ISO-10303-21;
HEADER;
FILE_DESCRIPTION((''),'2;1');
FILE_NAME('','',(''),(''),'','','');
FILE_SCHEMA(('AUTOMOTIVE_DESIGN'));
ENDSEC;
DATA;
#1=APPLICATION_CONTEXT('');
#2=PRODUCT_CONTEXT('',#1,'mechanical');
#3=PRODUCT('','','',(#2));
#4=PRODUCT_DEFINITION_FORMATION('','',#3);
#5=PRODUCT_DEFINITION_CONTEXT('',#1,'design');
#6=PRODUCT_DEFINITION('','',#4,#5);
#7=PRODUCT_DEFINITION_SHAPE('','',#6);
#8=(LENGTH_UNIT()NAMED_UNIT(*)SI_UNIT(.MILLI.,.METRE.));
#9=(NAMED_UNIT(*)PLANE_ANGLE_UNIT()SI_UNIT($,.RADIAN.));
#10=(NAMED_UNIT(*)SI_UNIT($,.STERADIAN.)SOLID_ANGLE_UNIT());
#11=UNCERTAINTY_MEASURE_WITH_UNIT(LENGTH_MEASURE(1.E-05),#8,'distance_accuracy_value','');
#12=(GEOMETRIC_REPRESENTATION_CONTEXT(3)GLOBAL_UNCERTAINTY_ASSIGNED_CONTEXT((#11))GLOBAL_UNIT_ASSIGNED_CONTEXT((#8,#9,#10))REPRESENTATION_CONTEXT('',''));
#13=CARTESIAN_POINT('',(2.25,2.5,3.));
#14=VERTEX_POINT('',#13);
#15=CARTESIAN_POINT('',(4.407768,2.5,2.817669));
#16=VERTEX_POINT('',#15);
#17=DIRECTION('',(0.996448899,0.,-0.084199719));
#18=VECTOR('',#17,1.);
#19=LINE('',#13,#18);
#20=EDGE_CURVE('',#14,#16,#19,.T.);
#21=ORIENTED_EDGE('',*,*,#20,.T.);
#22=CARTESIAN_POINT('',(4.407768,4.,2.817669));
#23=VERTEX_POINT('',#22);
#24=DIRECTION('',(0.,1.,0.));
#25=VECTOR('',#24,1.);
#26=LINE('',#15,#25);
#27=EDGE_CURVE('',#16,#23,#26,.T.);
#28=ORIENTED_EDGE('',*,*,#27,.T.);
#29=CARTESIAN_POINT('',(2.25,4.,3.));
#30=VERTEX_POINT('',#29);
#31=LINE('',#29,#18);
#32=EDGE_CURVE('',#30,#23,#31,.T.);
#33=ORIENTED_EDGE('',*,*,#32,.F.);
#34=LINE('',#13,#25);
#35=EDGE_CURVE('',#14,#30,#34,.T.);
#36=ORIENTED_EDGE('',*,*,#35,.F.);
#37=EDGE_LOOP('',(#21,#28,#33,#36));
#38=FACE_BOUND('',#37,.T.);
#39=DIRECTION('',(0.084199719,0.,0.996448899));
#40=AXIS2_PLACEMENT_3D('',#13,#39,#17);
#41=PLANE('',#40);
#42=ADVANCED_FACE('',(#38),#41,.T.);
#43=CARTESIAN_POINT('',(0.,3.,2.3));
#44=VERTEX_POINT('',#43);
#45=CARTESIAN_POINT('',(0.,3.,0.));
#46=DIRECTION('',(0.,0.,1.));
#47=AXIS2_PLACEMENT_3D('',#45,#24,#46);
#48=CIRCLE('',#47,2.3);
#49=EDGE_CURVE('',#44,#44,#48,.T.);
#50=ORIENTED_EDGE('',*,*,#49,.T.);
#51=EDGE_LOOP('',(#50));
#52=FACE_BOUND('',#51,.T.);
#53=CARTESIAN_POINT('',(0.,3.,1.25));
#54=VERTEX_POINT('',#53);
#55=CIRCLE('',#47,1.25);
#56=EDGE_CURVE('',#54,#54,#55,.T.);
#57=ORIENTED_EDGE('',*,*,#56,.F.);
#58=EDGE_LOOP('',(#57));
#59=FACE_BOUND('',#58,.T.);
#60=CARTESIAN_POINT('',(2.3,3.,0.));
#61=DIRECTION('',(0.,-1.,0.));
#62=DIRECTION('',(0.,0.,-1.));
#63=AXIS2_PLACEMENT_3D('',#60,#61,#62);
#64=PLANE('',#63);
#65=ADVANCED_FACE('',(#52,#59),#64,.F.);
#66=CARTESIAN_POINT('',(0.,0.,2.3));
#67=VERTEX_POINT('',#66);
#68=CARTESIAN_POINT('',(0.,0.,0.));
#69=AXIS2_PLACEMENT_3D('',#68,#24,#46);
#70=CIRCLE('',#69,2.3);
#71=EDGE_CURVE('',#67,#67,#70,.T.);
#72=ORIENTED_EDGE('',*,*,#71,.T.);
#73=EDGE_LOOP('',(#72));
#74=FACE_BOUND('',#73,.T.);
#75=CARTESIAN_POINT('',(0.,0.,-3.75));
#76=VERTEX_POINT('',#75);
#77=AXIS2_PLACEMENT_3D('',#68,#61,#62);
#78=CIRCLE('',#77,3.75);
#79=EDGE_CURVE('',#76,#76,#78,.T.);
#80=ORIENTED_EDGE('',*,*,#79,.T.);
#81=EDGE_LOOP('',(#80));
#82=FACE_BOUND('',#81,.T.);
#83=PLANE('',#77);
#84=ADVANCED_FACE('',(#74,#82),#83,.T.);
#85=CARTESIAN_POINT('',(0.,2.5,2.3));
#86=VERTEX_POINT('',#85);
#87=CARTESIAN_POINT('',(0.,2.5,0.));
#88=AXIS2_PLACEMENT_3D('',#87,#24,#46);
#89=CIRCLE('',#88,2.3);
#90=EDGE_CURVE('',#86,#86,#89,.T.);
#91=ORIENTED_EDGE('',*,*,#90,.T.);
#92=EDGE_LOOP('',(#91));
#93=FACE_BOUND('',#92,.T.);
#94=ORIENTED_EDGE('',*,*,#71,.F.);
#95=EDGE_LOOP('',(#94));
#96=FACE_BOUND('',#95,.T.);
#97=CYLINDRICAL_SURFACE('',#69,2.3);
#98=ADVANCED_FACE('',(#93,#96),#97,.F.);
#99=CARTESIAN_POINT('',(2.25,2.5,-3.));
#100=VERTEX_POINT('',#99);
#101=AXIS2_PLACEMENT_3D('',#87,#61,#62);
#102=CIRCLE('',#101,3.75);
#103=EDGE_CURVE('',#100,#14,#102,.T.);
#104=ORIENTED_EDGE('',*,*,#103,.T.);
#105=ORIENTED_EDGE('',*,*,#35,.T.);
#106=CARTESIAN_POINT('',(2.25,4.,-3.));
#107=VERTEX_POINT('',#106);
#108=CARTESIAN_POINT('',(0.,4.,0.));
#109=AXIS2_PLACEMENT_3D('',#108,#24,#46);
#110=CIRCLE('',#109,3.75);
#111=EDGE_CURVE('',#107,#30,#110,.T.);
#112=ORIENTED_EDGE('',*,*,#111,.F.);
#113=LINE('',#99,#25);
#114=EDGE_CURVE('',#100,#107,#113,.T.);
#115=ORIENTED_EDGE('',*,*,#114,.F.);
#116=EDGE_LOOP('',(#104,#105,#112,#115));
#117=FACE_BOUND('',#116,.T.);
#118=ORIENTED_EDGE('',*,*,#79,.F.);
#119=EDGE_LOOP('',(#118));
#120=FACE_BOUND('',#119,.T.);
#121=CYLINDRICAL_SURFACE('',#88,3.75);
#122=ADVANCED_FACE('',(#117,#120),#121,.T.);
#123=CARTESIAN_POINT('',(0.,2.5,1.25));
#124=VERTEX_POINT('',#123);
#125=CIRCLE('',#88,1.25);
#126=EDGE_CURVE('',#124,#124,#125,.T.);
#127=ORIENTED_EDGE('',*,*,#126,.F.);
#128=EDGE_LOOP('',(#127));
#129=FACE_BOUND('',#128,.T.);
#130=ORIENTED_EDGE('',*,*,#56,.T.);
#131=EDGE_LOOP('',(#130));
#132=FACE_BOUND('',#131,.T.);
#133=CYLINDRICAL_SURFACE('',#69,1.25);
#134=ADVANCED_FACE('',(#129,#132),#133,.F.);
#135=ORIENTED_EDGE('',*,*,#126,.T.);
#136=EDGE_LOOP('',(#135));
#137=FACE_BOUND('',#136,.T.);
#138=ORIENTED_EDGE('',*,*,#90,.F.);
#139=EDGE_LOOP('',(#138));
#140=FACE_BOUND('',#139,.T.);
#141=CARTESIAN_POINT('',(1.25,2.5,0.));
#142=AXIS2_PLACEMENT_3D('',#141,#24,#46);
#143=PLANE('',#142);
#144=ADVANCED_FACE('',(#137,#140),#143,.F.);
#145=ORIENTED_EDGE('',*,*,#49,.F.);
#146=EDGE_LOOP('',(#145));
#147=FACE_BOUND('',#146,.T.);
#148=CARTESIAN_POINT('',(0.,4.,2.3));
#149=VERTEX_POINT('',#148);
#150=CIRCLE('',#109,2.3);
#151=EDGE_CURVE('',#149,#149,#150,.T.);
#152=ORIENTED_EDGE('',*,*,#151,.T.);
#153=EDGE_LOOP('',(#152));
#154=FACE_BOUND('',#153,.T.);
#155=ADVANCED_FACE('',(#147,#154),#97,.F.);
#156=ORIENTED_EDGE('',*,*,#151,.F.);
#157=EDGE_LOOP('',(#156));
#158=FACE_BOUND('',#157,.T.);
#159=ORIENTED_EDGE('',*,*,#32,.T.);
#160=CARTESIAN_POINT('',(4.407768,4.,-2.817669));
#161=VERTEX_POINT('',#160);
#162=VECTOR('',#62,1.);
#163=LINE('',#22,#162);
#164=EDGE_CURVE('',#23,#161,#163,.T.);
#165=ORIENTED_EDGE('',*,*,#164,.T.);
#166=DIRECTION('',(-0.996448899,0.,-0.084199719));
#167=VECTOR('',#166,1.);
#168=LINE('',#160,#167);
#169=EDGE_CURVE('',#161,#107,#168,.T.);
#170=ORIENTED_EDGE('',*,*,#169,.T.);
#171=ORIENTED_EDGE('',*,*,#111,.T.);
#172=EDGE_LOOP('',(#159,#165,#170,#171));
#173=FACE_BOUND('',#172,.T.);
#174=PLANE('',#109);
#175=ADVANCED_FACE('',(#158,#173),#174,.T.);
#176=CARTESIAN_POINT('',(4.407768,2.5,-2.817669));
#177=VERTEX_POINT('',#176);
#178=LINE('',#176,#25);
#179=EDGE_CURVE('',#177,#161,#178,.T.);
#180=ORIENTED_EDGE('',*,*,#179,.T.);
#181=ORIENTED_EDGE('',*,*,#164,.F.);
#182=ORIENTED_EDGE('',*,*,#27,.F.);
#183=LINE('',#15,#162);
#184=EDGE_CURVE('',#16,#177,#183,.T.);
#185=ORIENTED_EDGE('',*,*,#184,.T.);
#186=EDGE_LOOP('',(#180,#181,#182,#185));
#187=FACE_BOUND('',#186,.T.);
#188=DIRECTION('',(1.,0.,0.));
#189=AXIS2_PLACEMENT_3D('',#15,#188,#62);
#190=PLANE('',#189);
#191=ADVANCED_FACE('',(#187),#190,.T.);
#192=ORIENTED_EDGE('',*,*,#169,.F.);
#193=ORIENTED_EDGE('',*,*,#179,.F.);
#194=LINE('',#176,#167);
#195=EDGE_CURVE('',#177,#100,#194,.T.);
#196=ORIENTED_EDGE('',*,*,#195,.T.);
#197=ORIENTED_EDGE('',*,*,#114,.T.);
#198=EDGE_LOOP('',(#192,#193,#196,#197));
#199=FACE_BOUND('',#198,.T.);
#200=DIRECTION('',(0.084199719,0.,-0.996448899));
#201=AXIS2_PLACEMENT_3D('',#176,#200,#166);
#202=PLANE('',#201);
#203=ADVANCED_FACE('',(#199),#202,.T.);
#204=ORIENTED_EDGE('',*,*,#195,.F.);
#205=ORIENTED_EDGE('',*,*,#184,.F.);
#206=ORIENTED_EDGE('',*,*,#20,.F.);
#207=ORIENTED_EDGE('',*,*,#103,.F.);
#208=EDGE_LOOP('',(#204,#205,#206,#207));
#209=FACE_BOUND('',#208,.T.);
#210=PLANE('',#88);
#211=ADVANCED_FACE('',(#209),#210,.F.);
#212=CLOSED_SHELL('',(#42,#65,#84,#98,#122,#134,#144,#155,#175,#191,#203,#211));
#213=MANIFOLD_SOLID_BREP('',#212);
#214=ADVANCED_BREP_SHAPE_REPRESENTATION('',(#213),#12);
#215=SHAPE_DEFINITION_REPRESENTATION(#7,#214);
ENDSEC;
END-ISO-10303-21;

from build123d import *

# Parameters (mm, degrees)
BOSS_EXTRUDE1_DEPTH = 1.5
SKETCH2_R           = 3.75
BOSS_EXTRUDE2_DEPTH = 2.5


with BuildPart() as part:
    # Sketch1 → Boss-Extrude1 (new body)
    with BuildSketch(Plane(origin=(0, 4, 0), x_dir=(1, 0, 0), z_dir=(0, 1, 0))):
        with BuildLine():
            Line((2.25, -3), (4.407767894, -2.817669075))
            Line((4.407767894, -2.817669075), (4.407767894, 2.817669075))
            Line((4.407767894, 2.817669075), (2.25, 3))
            ThreePointArc((2.25, 3), (-3.75, 0), (2.25, -3))
        make_face()
    extrude(amount=-BOSS_EXTRUDE1_DEPTH)

    # Sketch2 → Boss-Extrude2 (add)
    with BuildSketch(Plane.XZ.offset(-2.5)):
        Circle(SKETCH2_R)
    extrude(amount=BOSS_EXTRUDE2_DEPTH)

    # Sketch3 → Cut-Revolve1 (revolve, cut)
    with BuildSketch(Plane(origin=(0, 0, 0), x_dir=(-1, 0, 0), z_dir=(0, 0, -1))):
        Polygon((-2.3, 0), (0, 0), (0, 4), (-2.3, 4), (-2.3, 3), (-1.25, 3), (-1.25, 2.5), (-2.3, 2.5), align=None)
    revolve(axis=Axis((0, 0, 0), (0, 1, 0)), mode=Mode.SUBTRACT)


solid = part.part
